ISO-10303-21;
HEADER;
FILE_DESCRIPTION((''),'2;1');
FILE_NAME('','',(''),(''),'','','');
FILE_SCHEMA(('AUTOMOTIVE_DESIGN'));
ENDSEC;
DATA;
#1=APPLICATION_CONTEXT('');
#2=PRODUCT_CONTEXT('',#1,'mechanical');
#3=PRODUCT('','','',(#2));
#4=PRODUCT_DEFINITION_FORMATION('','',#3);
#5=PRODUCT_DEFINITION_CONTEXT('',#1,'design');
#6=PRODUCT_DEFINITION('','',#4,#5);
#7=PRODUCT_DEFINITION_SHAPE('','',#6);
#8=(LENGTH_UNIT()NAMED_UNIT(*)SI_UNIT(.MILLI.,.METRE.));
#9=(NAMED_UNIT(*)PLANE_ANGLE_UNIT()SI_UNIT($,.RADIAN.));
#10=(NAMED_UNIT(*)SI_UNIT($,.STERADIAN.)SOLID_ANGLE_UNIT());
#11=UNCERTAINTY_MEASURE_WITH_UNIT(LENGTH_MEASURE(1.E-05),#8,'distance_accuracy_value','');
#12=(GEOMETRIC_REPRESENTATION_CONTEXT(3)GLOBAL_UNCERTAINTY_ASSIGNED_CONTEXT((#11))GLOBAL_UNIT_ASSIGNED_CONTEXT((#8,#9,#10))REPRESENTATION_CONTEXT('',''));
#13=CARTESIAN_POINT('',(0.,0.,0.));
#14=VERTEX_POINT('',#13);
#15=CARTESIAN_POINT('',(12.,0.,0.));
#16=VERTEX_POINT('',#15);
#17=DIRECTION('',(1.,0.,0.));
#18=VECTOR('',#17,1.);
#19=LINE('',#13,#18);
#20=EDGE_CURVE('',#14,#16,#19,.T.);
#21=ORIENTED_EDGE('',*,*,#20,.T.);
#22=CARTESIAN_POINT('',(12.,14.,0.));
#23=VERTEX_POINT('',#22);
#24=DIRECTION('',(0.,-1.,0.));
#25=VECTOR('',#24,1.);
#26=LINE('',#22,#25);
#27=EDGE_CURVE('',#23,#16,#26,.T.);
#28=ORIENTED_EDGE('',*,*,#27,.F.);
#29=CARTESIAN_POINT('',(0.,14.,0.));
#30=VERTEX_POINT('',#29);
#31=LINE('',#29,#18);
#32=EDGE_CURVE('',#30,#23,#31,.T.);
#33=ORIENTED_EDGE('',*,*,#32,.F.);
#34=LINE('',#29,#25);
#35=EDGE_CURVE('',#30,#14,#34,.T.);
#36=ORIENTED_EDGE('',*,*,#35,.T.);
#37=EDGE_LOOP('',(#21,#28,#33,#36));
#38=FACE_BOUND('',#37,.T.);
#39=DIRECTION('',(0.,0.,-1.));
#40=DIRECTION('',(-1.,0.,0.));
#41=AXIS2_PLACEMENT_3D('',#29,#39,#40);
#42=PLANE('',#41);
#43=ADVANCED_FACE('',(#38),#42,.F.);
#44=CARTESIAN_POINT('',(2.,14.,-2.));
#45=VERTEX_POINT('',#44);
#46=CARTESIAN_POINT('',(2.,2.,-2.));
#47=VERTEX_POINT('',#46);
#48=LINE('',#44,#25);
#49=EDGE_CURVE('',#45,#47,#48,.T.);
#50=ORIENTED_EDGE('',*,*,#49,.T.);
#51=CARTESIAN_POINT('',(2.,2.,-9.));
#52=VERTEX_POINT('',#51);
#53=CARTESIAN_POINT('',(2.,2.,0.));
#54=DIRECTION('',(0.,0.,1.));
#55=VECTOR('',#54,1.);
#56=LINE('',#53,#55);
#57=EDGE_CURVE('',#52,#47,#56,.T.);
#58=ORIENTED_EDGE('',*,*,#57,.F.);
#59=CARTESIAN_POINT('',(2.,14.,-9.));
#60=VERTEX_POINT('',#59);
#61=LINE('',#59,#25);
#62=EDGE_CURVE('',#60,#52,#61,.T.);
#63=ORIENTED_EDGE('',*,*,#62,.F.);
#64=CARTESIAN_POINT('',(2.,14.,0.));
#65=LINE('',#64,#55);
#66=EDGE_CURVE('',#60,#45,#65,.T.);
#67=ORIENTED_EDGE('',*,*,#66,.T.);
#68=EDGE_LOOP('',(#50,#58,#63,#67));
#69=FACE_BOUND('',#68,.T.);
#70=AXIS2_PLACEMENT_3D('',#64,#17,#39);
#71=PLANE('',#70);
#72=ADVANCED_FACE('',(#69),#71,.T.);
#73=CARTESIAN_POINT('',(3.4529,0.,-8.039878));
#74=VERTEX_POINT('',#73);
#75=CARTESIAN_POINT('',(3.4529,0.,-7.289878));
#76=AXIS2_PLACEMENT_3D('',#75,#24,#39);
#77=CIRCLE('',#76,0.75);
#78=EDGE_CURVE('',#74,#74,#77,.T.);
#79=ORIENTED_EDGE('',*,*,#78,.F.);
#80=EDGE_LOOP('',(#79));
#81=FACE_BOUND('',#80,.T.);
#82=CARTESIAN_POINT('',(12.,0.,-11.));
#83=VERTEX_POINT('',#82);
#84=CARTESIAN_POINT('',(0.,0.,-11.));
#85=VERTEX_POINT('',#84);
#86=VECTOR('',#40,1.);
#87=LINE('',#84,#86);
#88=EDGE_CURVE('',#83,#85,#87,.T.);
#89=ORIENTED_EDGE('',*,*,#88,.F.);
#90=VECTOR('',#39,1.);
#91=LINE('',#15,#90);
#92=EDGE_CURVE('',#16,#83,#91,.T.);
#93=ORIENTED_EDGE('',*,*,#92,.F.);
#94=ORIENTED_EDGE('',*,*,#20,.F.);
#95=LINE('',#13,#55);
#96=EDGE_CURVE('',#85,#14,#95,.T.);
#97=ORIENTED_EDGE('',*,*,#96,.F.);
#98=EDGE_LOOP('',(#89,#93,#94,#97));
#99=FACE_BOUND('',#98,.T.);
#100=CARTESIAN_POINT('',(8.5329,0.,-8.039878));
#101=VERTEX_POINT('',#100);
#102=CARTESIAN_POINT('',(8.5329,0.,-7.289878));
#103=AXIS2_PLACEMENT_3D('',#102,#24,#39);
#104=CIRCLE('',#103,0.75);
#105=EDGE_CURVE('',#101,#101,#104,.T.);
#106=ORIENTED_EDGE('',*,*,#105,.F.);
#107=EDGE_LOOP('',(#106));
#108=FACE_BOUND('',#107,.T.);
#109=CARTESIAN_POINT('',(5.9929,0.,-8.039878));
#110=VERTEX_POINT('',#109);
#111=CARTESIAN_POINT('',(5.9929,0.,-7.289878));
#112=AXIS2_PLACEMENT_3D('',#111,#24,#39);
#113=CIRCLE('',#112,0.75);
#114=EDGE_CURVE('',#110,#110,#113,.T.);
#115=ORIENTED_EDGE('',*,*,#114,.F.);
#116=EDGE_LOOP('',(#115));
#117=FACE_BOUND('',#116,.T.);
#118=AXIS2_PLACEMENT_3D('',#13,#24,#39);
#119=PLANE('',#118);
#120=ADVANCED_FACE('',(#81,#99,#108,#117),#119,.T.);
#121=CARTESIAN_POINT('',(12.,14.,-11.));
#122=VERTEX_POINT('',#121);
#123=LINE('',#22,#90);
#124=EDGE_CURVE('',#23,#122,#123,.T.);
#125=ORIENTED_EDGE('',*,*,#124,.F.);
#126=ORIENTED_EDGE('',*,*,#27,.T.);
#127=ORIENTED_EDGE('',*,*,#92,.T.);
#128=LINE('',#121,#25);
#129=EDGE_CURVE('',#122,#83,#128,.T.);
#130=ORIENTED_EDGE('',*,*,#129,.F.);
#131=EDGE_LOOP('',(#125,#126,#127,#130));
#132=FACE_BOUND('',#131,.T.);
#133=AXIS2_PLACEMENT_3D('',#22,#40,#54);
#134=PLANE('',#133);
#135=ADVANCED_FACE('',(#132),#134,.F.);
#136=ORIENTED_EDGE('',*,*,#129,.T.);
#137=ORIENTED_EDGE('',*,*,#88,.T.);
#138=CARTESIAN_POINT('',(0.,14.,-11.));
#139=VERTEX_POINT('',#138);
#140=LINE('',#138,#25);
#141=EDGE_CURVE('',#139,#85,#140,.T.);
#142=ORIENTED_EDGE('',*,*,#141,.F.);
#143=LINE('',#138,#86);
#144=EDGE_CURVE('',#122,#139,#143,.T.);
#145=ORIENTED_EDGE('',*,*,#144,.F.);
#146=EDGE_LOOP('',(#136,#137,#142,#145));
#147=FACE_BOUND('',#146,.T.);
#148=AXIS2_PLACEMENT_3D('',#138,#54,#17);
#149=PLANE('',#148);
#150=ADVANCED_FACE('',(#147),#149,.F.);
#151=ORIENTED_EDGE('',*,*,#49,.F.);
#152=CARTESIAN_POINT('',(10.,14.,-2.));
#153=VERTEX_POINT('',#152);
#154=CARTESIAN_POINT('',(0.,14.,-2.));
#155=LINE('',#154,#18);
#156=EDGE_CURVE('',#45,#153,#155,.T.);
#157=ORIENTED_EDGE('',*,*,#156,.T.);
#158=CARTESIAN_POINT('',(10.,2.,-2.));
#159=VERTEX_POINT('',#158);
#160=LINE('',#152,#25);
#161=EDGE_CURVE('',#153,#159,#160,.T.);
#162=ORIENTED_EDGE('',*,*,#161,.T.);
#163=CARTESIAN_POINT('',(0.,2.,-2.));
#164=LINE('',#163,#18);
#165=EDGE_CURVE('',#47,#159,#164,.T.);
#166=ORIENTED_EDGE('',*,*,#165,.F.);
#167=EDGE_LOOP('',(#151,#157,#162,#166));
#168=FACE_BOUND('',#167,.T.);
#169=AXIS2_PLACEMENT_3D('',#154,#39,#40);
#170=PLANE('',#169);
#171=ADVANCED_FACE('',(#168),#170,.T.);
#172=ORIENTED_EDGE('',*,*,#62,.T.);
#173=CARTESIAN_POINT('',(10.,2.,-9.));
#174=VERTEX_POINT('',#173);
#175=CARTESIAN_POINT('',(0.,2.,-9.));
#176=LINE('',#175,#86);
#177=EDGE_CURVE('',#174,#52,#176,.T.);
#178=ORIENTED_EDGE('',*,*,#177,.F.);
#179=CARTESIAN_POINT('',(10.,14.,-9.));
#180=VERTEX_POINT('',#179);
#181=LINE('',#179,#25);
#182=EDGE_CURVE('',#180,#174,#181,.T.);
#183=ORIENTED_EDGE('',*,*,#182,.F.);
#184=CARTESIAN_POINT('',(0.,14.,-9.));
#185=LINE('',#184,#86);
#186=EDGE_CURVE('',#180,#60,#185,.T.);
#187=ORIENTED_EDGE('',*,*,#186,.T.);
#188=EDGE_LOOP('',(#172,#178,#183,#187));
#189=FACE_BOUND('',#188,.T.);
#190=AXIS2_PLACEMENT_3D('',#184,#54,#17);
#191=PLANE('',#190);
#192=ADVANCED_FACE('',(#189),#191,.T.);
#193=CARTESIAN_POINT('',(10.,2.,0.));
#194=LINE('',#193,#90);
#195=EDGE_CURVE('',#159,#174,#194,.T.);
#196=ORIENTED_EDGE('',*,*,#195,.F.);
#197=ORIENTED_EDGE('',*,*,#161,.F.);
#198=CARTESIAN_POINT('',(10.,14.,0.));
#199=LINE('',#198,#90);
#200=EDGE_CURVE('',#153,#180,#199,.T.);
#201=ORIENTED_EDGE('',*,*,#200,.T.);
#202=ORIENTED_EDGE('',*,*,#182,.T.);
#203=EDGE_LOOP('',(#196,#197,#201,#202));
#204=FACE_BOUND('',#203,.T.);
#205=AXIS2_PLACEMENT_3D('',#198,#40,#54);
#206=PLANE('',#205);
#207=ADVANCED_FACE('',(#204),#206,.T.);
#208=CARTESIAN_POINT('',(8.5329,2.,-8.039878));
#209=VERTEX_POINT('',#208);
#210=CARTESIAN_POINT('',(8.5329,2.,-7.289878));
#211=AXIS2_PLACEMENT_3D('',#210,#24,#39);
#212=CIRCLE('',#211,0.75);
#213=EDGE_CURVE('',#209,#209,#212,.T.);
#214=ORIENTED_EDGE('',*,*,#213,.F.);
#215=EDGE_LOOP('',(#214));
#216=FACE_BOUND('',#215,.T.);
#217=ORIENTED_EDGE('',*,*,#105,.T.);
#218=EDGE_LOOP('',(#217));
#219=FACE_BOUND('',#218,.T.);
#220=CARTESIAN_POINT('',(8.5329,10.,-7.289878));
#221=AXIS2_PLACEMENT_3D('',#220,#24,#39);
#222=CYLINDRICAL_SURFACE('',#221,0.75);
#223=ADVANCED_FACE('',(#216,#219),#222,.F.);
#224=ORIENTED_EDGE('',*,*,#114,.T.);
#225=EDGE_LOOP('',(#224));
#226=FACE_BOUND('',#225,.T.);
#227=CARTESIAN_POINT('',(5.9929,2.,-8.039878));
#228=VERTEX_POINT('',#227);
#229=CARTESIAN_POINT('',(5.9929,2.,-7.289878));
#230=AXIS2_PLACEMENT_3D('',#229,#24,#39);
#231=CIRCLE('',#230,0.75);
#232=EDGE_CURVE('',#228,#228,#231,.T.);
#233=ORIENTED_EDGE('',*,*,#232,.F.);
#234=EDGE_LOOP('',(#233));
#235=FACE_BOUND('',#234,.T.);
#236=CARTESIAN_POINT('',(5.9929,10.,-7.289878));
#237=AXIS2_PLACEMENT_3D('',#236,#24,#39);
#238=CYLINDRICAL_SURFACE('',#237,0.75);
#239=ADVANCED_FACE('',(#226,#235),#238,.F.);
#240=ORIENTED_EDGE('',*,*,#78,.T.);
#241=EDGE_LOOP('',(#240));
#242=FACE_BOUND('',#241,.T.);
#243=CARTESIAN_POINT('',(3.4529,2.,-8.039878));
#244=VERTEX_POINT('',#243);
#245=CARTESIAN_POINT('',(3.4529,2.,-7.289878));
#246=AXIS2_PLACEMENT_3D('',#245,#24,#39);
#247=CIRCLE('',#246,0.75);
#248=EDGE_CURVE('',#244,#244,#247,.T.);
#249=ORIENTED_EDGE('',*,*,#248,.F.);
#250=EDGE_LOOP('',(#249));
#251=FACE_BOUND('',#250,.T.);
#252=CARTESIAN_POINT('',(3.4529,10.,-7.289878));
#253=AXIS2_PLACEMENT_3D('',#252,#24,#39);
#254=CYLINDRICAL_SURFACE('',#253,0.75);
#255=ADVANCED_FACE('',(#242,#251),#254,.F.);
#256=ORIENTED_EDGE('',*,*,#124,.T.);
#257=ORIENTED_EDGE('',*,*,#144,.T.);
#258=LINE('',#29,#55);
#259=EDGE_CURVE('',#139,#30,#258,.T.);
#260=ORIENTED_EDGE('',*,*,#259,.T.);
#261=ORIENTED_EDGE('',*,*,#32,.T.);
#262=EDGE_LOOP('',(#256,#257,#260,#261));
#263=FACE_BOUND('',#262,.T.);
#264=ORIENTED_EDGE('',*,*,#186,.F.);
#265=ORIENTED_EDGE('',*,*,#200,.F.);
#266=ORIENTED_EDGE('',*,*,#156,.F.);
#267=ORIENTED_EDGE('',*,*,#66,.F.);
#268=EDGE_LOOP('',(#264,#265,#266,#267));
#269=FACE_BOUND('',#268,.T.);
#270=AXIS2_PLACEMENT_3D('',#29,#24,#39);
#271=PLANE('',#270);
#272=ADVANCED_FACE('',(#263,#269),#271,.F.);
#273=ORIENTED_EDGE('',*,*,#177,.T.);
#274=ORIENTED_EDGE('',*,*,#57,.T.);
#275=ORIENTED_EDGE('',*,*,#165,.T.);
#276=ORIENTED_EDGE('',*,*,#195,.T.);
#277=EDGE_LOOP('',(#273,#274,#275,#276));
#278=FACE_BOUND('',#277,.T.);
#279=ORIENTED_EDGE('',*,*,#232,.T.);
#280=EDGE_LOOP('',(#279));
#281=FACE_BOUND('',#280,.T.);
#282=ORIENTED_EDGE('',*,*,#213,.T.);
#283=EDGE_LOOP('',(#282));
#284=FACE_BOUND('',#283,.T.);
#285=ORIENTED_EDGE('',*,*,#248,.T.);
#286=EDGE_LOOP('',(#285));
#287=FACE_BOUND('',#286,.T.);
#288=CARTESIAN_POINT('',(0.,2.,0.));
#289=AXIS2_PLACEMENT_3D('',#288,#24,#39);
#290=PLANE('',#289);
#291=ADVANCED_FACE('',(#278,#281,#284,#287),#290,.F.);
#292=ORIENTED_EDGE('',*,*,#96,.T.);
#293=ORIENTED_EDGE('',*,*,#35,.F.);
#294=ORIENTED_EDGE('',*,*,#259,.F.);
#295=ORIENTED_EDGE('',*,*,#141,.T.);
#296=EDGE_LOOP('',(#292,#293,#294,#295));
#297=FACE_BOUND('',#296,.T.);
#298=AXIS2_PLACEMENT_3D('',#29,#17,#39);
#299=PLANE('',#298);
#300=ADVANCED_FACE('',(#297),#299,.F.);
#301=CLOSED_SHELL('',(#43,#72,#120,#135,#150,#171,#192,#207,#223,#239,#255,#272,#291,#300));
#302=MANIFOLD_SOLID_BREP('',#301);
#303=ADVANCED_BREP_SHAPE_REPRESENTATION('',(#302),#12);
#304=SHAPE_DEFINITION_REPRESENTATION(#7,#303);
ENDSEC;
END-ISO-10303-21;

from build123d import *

# Parameters (mm, degrees)
SKETCH1_W           = 12
SKETCH1_H           = 11
BOSS_EXTRUDE1_DEPTH = 14
SHELL1_T            = -2
SKETCH2_R           = 0.75
CUT_EXTRUDE1_DEPTH  = 10


with BuildPart() as part:
    # Sketch1 → Boss-Extrude1 (new body)
    with BuildSketch(Plane(origin=(0, 0, 0), x_dir=(1, 0, 0), z_dir=(0, 1, 0))):
        with Locations((6, 5.5)):
            Rectangle(SKETCH1_W, SKETCH1_H)
    extrude(amount=BOSS_EXTRUDE1_DEPTH)

    # Shell1
    shell1_openings = [part.faces().sort_by_distance(p)[0] for p in [
        (6, 14, -5.5),
    ]]
    offset(amount=SHELL1_T, openings=shell1_openings, kind=Kind.INTERSECTION)

    # Sketch2 → Cut-Extrude1 (cut)
    with BuildSketch(Plane.XZ):
        with Locations((3.452899673, -7.28987771)):
            Circle(SKETCH2_R)
        with Locations((5.992899673, -7.28987771)):
            Circle(SKETCH2_R)
        with Locations((8.532899673, -7.28987771)):
            Circle(SKETCH2_R)
    extrude(amount=-CUT_EXTRUDE1_DEPTH, mode=Mode.SUBTRACT)


solid = part.part
